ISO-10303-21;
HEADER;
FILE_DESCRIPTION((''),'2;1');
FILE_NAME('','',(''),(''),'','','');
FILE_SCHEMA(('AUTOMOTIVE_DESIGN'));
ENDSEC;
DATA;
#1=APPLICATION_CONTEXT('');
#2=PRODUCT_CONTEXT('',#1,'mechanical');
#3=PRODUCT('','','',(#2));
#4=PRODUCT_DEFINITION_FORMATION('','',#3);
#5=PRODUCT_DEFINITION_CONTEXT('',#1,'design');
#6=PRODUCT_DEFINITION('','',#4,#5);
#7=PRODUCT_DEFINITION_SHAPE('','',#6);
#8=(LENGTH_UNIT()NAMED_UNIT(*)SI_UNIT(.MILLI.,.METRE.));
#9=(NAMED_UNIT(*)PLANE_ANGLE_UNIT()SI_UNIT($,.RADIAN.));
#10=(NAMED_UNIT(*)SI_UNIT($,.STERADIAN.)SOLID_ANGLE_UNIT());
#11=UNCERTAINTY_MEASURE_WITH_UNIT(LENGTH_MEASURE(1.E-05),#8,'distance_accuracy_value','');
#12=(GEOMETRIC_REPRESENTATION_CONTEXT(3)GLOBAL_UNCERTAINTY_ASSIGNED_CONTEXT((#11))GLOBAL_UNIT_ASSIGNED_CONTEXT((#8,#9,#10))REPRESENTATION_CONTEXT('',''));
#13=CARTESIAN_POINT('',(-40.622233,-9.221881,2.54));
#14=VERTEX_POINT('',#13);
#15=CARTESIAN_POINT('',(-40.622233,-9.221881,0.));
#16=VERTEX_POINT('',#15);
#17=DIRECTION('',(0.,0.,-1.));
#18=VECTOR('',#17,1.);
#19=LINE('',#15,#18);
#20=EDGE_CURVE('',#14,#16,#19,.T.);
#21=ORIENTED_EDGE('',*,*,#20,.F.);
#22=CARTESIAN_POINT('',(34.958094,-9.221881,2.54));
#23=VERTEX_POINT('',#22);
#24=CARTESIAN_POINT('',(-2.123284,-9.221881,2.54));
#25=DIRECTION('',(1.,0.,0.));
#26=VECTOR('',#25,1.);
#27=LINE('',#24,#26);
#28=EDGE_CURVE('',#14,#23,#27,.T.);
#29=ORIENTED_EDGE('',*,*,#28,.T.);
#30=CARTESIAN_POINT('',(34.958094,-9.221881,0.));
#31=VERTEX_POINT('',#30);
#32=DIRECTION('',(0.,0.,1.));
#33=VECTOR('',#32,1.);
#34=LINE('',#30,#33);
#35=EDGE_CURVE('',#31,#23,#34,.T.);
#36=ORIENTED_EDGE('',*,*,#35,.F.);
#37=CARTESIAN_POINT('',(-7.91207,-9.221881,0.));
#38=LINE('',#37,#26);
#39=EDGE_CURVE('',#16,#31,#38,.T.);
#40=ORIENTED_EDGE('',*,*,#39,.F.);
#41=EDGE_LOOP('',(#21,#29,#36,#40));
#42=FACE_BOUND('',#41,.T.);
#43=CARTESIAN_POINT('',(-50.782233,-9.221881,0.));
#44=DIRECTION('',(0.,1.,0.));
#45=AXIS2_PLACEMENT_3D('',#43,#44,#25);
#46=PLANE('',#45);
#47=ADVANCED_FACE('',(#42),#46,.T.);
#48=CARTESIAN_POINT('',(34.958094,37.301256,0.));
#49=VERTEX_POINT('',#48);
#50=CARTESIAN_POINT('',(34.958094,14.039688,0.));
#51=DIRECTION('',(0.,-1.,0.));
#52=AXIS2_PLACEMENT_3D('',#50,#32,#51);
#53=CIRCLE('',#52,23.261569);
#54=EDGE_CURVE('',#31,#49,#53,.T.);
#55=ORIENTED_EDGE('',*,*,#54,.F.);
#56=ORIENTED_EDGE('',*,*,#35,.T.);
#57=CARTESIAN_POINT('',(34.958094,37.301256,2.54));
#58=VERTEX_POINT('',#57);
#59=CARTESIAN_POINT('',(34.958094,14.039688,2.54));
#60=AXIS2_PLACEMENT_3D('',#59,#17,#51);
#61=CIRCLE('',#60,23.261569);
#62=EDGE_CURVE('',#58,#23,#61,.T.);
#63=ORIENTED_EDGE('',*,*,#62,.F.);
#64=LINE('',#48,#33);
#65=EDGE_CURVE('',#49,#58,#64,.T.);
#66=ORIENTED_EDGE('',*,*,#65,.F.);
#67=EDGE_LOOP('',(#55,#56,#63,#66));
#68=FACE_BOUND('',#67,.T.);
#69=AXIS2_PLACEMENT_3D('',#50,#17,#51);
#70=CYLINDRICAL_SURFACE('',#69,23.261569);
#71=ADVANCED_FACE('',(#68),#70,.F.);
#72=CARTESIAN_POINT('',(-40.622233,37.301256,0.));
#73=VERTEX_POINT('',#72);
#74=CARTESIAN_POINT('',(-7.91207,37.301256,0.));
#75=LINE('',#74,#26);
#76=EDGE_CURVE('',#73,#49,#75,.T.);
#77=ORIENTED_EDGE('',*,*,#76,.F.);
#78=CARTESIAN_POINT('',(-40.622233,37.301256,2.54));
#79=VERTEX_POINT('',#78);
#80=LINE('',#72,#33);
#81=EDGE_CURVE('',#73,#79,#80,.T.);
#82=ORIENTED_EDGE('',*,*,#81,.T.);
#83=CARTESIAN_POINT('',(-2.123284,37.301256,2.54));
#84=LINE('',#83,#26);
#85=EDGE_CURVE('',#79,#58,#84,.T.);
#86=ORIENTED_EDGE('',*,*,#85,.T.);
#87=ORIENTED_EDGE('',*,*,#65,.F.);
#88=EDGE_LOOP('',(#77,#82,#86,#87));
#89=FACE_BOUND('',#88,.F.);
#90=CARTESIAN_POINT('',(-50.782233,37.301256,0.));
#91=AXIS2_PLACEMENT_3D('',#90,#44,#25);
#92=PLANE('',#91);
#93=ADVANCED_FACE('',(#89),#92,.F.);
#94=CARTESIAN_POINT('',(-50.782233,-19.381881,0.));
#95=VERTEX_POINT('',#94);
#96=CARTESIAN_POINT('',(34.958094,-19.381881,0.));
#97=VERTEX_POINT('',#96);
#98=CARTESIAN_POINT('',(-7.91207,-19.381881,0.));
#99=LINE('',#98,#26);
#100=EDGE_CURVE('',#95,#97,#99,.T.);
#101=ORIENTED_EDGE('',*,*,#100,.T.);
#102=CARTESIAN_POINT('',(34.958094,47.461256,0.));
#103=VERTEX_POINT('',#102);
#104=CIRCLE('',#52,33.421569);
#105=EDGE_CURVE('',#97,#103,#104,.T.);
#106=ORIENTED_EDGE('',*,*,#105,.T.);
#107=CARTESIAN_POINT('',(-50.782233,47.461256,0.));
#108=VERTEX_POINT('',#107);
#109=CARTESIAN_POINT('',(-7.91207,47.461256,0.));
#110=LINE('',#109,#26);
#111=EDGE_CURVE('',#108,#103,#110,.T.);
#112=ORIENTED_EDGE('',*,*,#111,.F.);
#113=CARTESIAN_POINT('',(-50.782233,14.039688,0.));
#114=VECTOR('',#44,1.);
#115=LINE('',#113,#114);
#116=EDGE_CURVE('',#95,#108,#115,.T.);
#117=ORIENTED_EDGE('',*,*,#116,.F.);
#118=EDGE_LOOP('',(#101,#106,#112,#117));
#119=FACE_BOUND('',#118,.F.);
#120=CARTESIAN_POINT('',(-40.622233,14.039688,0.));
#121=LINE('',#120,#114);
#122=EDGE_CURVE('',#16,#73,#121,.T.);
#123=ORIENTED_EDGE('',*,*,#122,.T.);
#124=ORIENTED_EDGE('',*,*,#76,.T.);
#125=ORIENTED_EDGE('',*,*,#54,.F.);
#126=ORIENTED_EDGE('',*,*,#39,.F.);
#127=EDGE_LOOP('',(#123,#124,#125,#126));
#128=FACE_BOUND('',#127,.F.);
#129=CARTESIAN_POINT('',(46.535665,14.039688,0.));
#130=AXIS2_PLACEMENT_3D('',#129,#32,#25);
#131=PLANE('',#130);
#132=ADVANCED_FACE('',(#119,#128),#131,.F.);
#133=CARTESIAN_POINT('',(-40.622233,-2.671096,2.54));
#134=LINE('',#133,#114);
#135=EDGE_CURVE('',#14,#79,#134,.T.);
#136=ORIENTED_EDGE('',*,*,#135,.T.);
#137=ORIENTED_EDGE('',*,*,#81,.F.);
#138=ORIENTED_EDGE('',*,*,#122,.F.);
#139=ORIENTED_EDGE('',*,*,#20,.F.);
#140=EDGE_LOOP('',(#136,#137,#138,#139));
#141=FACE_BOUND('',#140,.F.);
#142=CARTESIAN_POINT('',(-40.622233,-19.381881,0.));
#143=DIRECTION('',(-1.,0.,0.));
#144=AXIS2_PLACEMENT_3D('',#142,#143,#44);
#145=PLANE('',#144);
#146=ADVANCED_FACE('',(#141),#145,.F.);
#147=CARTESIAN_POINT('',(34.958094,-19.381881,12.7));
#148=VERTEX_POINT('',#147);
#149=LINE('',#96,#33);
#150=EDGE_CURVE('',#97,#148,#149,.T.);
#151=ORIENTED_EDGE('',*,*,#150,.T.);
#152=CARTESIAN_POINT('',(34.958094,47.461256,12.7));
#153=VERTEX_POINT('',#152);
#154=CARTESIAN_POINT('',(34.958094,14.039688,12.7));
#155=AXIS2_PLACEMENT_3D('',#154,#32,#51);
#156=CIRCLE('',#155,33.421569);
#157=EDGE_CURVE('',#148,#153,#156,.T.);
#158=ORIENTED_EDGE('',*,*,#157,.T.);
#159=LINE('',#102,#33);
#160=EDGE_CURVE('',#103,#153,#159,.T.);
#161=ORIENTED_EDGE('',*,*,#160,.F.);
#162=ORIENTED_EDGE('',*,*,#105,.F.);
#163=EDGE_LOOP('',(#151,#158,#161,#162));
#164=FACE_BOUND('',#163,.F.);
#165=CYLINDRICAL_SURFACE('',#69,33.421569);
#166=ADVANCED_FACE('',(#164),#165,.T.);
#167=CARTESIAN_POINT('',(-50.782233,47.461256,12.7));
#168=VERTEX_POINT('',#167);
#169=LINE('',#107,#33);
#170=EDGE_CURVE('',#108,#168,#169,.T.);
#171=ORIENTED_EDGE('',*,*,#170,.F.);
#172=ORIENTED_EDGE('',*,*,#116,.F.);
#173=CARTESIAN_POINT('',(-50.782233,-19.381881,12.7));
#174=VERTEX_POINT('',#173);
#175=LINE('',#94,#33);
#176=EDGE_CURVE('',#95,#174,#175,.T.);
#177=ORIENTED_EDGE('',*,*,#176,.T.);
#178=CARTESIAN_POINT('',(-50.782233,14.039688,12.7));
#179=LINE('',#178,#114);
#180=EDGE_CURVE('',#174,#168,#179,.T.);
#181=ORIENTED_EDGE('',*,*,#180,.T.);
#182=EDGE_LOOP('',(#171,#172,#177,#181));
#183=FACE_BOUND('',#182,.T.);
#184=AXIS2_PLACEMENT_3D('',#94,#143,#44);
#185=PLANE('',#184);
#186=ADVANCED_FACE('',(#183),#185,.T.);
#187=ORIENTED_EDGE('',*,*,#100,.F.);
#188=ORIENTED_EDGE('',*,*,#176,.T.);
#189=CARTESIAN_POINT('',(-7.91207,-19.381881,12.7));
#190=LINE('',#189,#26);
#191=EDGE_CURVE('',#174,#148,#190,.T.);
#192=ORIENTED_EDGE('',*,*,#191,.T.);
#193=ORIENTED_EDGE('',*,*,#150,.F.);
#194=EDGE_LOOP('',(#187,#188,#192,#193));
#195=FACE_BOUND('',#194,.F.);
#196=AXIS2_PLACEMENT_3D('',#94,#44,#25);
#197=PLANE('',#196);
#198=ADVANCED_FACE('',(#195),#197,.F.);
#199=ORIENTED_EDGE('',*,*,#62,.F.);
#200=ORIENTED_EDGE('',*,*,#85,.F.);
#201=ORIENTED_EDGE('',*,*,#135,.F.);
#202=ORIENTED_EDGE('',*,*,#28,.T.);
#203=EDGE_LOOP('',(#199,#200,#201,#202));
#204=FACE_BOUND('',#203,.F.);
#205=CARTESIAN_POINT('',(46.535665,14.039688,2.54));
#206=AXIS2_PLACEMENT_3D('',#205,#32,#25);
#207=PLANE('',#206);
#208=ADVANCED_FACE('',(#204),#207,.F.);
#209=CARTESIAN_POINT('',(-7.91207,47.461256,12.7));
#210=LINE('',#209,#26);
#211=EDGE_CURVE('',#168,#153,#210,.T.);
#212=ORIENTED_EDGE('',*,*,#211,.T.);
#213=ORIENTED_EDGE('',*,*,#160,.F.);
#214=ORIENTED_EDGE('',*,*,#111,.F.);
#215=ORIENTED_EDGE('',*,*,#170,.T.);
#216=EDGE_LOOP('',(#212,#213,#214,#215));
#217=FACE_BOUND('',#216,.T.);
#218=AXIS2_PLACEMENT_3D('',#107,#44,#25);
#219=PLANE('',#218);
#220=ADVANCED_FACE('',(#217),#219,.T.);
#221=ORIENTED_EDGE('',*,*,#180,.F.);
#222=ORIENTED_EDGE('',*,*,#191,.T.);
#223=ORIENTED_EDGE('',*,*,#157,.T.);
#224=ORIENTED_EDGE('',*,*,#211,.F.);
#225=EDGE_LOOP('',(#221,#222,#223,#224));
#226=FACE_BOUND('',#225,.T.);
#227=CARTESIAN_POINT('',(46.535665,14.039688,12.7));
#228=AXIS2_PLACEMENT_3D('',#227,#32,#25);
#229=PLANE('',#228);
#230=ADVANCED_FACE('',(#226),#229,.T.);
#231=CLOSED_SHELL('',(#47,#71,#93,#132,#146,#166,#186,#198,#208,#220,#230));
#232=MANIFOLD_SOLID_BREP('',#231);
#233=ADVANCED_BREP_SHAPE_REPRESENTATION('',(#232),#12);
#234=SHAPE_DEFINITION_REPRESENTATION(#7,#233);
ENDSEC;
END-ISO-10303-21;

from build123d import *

# Parameters (mm, degrees)
F0_W     = 85.7403278351
F0_H     = 66.843137145
F1_DEPTH = 12.7
F2_T     = -10.16


with BuildPart() as f1:
    # F0 (on Top) → F1 (new body)
    with BuildSketch(Plane.XY):
        with BuildLine():
            ThreePointArc((34.9580943584, -19.3818807602), (68.379662931, 14.0396878123), (34.9580943584, 47.4612563848))
            Line((34.9580943584, 47.4612563848), (34.9580943584, -19.3818807602))
        make_face()
        with Locations((-7.9120695591, 14.0396878123)):
            Rectangle(F0_W, F0_H)
    extrude(amount=F1_DEPTH)

    # F2
    f2_openings = [f1.faces().sort_by_distance(p)[0] for p in [
        (5.460988, 14.039688, 0),
    ]]
    offset(amount=F2_T, openings=f2_openings)


solid = f1.part
